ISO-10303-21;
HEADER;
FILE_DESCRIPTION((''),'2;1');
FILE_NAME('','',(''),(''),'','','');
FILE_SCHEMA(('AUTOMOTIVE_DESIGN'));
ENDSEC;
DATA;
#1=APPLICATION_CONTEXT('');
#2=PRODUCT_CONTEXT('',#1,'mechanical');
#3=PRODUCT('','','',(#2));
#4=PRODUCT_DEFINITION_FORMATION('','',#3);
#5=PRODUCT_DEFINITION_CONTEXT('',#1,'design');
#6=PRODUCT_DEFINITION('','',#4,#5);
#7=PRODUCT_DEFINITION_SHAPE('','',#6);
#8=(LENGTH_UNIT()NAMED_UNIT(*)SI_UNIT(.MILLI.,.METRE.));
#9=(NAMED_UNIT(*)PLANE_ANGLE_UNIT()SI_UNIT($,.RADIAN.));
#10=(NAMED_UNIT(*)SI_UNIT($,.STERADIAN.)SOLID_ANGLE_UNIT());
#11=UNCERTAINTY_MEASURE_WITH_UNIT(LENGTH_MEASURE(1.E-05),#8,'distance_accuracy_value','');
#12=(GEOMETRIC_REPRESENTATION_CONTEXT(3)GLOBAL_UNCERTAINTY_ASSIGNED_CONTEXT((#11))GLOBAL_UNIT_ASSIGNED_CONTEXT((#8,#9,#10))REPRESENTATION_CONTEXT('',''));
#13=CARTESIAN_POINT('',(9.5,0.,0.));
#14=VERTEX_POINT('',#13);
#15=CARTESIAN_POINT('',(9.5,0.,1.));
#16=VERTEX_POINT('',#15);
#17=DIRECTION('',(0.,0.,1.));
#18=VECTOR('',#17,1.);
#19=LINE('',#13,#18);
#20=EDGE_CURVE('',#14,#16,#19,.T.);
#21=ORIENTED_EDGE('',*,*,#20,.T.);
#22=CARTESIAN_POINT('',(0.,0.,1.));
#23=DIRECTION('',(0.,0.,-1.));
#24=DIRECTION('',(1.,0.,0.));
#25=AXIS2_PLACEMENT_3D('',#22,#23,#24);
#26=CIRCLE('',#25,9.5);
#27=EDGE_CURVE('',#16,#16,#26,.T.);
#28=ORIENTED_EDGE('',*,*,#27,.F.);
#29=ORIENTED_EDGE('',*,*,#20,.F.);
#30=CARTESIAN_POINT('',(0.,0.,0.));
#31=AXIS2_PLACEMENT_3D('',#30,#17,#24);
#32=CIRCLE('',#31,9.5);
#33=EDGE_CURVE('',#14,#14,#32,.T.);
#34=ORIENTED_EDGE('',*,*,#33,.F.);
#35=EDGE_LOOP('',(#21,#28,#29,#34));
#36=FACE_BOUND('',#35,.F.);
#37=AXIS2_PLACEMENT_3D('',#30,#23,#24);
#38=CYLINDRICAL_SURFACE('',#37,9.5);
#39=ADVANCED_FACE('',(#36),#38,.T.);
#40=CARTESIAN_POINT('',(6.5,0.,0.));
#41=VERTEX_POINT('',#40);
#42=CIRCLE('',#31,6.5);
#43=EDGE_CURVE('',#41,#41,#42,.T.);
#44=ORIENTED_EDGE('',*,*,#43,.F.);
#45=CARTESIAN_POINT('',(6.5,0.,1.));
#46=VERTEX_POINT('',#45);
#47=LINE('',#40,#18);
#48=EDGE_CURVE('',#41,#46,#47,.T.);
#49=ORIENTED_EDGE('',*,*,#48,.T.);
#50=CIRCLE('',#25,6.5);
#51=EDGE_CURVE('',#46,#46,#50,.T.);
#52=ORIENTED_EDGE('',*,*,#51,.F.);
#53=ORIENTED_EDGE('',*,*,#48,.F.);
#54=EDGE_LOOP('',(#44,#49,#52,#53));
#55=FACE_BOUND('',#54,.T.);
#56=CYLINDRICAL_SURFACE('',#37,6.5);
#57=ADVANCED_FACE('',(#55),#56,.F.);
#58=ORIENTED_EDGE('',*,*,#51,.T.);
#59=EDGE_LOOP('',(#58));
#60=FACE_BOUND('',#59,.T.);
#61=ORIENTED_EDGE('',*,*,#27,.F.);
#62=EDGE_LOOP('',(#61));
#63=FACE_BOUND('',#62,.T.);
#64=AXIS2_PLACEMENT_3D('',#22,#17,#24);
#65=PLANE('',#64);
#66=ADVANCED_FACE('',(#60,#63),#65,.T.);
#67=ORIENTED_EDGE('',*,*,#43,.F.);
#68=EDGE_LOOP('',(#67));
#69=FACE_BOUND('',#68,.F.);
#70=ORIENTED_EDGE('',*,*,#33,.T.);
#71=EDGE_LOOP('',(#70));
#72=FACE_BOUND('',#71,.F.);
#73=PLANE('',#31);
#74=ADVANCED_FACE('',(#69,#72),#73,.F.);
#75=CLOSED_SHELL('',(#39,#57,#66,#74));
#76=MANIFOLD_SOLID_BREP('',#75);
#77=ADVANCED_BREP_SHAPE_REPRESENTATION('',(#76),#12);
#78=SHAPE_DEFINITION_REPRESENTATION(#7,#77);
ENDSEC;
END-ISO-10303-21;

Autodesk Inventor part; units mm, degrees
ref_plane "YZ Plane" through (0, 0, 0) normal (1, 0, 0) x (0, 1, 0)
ref_plane "XZ Plane" through (0, 0, 0) normal (0, 1, 0) x (-1, 0, 0)
ref_plane "XY Plane" through (0, 0, 0) normal (0, 0, 1) x (1, 0, 0)
sketch "Sketch1" plane through (0, 0, 0) normal (0, 0, 1) x (1, 0, 0)
  circle A0 centre (0, 0) radius 6.5
  circle A1 centre (0, 0) radius 9.5
  line L0 (-21, 0) -> (21, 0) projected
  line L1 (0, 21) -> (0, -21) projected
  dimension "d0" = 13
  dimension "d1" = 19
extrude "Body" add sketch "Sketch1" along normal blind 1 contours L0 A1 L1 A0 | A0 L1 A1 L0 | A0 L0 A1 L1 | L1 A1 L0 A0
equation "\"d0\" = SD1"
equation "\"d1\" = SD2"
equation "\"d2\" = SD"
equation "\"SD2\" = 19"
equation "\"SD\" = 1"
equation "\"SD1\" = 13"
equation "\"NND\" = 13"
equation "\"SR\" = 0.5 * NND2"
equation "\"NND2\" = 19"
properties part number "DIN 988 - 13 x 19 x 1" material "Steel, Mild"
